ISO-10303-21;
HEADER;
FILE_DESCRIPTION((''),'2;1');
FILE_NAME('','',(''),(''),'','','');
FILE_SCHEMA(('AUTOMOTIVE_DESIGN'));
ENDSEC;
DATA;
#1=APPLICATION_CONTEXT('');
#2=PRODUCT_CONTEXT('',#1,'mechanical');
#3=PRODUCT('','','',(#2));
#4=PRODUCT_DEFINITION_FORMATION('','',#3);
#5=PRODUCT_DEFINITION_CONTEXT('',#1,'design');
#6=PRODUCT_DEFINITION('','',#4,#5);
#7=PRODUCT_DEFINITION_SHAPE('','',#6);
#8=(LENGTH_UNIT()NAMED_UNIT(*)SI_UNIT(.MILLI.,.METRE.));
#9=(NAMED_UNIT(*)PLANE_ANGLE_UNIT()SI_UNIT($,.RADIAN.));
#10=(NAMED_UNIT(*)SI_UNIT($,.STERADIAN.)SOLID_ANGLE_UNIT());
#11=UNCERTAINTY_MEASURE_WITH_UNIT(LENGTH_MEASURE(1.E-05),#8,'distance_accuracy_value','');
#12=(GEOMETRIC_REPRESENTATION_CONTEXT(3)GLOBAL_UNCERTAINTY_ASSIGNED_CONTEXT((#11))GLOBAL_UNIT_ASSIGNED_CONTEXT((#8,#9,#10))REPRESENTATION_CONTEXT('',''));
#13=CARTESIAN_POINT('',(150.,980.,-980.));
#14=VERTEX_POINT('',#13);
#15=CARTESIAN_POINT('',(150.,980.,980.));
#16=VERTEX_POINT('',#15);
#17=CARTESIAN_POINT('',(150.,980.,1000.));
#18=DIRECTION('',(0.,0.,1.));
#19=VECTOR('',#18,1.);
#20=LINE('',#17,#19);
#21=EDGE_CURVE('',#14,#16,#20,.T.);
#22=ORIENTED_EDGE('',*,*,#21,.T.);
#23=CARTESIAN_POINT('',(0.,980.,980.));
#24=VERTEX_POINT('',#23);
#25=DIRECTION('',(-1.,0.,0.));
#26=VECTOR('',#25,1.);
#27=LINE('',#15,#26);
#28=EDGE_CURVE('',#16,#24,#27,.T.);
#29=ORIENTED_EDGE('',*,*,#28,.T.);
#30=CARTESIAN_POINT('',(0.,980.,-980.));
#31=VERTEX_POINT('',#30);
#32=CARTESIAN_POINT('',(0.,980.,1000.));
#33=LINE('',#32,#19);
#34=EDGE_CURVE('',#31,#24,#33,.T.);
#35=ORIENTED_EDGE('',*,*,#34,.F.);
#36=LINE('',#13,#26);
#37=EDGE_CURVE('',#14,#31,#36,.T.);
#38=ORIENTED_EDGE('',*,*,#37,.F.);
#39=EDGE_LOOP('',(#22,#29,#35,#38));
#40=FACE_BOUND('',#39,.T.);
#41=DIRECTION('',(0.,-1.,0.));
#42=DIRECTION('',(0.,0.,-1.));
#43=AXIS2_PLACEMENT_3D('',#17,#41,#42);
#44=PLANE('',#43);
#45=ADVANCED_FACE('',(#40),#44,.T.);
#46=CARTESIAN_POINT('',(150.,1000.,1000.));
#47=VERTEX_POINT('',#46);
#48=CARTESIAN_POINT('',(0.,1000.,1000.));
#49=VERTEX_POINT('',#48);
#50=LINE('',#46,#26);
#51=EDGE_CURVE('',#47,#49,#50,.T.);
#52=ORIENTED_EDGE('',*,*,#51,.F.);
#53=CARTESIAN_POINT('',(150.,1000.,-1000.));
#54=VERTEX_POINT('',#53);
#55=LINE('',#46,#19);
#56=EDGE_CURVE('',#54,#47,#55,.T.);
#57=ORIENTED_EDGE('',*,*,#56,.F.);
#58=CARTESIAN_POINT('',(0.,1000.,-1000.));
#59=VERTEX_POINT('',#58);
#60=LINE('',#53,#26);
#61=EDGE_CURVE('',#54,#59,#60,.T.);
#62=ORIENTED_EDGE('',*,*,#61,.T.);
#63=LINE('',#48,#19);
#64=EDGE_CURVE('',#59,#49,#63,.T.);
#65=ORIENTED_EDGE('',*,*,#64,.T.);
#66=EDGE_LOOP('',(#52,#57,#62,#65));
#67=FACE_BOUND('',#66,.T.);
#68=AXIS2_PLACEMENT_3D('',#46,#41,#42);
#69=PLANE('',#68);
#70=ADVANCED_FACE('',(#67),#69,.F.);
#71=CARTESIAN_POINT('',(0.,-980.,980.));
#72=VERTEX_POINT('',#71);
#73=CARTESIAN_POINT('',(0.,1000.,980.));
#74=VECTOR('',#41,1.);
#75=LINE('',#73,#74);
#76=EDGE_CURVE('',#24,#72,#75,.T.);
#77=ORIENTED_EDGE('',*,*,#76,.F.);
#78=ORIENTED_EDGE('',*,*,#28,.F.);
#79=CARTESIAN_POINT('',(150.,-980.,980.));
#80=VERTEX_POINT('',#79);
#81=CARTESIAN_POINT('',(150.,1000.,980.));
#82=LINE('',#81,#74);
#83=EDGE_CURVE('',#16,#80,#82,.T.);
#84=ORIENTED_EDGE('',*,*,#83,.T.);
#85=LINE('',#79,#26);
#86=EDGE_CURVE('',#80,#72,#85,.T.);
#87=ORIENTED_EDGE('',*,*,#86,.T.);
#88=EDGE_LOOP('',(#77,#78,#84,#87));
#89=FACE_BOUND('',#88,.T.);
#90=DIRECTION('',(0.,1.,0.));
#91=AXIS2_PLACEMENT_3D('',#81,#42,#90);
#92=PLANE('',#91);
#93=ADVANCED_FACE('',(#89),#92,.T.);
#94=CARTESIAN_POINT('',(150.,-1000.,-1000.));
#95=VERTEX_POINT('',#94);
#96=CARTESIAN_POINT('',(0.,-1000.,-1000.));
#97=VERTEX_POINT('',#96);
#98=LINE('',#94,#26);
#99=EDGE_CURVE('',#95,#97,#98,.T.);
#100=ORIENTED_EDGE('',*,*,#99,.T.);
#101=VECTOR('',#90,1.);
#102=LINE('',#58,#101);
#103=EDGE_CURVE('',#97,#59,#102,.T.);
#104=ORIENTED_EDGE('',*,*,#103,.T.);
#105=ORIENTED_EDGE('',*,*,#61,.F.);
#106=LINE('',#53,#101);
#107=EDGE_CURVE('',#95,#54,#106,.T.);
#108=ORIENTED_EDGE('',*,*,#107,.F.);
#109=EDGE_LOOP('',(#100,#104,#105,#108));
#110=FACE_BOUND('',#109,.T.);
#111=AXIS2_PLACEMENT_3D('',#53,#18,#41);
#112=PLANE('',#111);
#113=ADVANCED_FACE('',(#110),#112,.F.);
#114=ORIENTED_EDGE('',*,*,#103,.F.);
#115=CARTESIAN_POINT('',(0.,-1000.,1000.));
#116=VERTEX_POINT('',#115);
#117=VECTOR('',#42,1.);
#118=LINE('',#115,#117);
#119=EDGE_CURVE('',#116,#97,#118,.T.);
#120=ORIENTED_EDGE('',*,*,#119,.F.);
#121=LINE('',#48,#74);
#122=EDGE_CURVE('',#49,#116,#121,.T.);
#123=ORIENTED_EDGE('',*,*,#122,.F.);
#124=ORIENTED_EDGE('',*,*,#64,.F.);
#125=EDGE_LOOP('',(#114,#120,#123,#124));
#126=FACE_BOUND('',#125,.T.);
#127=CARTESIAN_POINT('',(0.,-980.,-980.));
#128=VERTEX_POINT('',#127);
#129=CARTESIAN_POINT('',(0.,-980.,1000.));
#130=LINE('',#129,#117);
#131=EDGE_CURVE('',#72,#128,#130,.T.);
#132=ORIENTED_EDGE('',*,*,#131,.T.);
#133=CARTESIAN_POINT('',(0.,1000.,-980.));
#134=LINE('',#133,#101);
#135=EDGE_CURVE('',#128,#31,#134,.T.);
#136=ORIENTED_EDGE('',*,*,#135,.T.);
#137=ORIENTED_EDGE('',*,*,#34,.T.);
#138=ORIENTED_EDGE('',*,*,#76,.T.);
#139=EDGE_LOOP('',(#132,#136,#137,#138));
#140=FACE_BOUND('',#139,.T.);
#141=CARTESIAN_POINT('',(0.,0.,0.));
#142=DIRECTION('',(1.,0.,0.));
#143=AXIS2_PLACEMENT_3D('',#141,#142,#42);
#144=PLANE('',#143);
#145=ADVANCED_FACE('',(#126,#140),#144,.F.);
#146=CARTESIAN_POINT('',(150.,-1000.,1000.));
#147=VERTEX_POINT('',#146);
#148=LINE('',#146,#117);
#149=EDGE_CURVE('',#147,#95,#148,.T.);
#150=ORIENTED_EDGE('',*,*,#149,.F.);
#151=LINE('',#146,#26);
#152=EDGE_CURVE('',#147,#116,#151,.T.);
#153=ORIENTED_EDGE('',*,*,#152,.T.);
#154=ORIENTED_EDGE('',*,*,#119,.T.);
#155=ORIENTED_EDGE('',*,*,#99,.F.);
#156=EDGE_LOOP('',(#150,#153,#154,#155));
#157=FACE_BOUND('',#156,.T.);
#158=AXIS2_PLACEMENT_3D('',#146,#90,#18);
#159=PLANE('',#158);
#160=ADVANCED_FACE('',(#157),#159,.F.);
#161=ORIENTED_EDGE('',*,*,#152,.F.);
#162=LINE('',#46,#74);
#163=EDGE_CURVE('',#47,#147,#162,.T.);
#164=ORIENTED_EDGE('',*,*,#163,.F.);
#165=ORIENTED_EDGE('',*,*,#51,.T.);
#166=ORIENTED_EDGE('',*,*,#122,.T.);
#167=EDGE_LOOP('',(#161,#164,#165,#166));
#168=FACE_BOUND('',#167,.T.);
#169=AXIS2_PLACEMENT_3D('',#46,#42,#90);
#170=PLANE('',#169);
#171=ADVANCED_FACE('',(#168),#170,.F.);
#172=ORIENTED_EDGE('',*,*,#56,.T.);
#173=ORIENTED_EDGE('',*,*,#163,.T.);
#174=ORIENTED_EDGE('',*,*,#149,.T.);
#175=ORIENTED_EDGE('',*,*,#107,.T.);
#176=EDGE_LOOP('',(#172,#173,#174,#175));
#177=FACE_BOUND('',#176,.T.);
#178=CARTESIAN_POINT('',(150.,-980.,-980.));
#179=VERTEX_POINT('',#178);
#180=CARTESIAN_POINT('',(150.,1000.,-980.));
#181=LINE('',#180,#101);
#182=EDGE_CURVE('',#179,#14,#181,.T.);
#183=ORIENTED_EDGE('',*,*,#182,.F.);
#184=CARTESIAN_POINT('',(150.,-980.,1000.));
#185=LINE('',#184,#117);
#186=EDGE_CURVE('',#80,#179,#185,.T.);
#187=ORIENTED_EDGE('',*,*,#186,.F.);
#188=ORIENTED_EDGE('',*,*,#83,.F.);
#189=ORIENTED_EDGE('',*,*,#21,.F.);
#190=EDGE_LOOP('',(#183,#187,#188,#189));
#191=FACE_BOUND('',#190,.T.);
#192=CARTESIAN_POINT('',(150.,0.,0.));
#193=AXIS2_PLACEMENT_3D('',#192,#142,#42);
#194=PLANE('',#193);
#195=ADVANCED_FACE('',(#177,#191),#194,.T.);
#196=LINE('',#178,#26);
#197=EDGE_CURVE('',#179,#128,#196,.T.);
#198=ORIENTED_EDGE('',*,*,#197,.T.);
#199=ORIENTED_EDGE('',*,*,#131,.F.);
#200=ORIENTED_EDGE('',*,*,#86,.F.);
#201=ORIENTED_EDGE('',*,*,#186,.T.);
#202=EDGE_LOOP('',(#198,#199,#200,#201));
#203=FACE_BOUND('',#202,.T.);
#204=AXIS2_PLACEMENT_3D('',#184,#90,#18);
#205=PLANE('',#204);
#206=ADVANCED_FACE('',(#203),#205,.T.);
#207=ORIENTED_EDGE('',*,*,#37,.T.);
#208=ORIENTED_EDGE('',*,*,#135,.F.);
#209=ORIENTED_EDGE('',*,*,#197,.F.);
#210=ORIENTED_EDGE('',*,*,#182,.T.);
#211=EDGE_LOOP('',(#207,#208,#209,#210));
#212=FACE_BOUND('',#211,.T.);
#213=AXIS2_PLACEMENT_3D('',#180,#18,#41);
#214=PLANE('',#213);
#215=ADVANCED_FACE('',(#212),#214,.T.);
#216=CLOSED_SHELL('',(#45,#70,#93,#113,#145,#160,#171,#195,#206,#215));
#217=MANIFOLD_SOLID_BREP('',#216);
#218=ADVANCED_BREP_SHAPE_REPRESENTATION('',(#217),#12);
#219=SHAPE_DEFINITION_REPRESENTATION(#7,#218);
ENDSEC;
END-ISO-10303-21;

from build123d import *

# Parameters (mm, degrees)
SKETCH1_W           = 2000
SKETCH1_H           = 2000
SKETCH1_W_2         = 1960
SKETCH1_H_2         = 1960
EXTRUDE_THIN1_DEPTH = 150


with BuildPart() as part:
    # Sketch1 → Extrude-Thin1 (new body)
    with BuildSketch(Plane(origin=(0, 0, 0), x_dir=(0, 0, -1), z_dir=(1, 0, 0))):
        Rectangle(SKETCH1_W, SKETCH1_H)
        Rectangle(SKETCH1_W_2, SKETCH1_H_2, mode=Mode.SUBTRACT)
    extrude(amount=EXTRUDE_THIN1_DEPTH)


solid = part.part
